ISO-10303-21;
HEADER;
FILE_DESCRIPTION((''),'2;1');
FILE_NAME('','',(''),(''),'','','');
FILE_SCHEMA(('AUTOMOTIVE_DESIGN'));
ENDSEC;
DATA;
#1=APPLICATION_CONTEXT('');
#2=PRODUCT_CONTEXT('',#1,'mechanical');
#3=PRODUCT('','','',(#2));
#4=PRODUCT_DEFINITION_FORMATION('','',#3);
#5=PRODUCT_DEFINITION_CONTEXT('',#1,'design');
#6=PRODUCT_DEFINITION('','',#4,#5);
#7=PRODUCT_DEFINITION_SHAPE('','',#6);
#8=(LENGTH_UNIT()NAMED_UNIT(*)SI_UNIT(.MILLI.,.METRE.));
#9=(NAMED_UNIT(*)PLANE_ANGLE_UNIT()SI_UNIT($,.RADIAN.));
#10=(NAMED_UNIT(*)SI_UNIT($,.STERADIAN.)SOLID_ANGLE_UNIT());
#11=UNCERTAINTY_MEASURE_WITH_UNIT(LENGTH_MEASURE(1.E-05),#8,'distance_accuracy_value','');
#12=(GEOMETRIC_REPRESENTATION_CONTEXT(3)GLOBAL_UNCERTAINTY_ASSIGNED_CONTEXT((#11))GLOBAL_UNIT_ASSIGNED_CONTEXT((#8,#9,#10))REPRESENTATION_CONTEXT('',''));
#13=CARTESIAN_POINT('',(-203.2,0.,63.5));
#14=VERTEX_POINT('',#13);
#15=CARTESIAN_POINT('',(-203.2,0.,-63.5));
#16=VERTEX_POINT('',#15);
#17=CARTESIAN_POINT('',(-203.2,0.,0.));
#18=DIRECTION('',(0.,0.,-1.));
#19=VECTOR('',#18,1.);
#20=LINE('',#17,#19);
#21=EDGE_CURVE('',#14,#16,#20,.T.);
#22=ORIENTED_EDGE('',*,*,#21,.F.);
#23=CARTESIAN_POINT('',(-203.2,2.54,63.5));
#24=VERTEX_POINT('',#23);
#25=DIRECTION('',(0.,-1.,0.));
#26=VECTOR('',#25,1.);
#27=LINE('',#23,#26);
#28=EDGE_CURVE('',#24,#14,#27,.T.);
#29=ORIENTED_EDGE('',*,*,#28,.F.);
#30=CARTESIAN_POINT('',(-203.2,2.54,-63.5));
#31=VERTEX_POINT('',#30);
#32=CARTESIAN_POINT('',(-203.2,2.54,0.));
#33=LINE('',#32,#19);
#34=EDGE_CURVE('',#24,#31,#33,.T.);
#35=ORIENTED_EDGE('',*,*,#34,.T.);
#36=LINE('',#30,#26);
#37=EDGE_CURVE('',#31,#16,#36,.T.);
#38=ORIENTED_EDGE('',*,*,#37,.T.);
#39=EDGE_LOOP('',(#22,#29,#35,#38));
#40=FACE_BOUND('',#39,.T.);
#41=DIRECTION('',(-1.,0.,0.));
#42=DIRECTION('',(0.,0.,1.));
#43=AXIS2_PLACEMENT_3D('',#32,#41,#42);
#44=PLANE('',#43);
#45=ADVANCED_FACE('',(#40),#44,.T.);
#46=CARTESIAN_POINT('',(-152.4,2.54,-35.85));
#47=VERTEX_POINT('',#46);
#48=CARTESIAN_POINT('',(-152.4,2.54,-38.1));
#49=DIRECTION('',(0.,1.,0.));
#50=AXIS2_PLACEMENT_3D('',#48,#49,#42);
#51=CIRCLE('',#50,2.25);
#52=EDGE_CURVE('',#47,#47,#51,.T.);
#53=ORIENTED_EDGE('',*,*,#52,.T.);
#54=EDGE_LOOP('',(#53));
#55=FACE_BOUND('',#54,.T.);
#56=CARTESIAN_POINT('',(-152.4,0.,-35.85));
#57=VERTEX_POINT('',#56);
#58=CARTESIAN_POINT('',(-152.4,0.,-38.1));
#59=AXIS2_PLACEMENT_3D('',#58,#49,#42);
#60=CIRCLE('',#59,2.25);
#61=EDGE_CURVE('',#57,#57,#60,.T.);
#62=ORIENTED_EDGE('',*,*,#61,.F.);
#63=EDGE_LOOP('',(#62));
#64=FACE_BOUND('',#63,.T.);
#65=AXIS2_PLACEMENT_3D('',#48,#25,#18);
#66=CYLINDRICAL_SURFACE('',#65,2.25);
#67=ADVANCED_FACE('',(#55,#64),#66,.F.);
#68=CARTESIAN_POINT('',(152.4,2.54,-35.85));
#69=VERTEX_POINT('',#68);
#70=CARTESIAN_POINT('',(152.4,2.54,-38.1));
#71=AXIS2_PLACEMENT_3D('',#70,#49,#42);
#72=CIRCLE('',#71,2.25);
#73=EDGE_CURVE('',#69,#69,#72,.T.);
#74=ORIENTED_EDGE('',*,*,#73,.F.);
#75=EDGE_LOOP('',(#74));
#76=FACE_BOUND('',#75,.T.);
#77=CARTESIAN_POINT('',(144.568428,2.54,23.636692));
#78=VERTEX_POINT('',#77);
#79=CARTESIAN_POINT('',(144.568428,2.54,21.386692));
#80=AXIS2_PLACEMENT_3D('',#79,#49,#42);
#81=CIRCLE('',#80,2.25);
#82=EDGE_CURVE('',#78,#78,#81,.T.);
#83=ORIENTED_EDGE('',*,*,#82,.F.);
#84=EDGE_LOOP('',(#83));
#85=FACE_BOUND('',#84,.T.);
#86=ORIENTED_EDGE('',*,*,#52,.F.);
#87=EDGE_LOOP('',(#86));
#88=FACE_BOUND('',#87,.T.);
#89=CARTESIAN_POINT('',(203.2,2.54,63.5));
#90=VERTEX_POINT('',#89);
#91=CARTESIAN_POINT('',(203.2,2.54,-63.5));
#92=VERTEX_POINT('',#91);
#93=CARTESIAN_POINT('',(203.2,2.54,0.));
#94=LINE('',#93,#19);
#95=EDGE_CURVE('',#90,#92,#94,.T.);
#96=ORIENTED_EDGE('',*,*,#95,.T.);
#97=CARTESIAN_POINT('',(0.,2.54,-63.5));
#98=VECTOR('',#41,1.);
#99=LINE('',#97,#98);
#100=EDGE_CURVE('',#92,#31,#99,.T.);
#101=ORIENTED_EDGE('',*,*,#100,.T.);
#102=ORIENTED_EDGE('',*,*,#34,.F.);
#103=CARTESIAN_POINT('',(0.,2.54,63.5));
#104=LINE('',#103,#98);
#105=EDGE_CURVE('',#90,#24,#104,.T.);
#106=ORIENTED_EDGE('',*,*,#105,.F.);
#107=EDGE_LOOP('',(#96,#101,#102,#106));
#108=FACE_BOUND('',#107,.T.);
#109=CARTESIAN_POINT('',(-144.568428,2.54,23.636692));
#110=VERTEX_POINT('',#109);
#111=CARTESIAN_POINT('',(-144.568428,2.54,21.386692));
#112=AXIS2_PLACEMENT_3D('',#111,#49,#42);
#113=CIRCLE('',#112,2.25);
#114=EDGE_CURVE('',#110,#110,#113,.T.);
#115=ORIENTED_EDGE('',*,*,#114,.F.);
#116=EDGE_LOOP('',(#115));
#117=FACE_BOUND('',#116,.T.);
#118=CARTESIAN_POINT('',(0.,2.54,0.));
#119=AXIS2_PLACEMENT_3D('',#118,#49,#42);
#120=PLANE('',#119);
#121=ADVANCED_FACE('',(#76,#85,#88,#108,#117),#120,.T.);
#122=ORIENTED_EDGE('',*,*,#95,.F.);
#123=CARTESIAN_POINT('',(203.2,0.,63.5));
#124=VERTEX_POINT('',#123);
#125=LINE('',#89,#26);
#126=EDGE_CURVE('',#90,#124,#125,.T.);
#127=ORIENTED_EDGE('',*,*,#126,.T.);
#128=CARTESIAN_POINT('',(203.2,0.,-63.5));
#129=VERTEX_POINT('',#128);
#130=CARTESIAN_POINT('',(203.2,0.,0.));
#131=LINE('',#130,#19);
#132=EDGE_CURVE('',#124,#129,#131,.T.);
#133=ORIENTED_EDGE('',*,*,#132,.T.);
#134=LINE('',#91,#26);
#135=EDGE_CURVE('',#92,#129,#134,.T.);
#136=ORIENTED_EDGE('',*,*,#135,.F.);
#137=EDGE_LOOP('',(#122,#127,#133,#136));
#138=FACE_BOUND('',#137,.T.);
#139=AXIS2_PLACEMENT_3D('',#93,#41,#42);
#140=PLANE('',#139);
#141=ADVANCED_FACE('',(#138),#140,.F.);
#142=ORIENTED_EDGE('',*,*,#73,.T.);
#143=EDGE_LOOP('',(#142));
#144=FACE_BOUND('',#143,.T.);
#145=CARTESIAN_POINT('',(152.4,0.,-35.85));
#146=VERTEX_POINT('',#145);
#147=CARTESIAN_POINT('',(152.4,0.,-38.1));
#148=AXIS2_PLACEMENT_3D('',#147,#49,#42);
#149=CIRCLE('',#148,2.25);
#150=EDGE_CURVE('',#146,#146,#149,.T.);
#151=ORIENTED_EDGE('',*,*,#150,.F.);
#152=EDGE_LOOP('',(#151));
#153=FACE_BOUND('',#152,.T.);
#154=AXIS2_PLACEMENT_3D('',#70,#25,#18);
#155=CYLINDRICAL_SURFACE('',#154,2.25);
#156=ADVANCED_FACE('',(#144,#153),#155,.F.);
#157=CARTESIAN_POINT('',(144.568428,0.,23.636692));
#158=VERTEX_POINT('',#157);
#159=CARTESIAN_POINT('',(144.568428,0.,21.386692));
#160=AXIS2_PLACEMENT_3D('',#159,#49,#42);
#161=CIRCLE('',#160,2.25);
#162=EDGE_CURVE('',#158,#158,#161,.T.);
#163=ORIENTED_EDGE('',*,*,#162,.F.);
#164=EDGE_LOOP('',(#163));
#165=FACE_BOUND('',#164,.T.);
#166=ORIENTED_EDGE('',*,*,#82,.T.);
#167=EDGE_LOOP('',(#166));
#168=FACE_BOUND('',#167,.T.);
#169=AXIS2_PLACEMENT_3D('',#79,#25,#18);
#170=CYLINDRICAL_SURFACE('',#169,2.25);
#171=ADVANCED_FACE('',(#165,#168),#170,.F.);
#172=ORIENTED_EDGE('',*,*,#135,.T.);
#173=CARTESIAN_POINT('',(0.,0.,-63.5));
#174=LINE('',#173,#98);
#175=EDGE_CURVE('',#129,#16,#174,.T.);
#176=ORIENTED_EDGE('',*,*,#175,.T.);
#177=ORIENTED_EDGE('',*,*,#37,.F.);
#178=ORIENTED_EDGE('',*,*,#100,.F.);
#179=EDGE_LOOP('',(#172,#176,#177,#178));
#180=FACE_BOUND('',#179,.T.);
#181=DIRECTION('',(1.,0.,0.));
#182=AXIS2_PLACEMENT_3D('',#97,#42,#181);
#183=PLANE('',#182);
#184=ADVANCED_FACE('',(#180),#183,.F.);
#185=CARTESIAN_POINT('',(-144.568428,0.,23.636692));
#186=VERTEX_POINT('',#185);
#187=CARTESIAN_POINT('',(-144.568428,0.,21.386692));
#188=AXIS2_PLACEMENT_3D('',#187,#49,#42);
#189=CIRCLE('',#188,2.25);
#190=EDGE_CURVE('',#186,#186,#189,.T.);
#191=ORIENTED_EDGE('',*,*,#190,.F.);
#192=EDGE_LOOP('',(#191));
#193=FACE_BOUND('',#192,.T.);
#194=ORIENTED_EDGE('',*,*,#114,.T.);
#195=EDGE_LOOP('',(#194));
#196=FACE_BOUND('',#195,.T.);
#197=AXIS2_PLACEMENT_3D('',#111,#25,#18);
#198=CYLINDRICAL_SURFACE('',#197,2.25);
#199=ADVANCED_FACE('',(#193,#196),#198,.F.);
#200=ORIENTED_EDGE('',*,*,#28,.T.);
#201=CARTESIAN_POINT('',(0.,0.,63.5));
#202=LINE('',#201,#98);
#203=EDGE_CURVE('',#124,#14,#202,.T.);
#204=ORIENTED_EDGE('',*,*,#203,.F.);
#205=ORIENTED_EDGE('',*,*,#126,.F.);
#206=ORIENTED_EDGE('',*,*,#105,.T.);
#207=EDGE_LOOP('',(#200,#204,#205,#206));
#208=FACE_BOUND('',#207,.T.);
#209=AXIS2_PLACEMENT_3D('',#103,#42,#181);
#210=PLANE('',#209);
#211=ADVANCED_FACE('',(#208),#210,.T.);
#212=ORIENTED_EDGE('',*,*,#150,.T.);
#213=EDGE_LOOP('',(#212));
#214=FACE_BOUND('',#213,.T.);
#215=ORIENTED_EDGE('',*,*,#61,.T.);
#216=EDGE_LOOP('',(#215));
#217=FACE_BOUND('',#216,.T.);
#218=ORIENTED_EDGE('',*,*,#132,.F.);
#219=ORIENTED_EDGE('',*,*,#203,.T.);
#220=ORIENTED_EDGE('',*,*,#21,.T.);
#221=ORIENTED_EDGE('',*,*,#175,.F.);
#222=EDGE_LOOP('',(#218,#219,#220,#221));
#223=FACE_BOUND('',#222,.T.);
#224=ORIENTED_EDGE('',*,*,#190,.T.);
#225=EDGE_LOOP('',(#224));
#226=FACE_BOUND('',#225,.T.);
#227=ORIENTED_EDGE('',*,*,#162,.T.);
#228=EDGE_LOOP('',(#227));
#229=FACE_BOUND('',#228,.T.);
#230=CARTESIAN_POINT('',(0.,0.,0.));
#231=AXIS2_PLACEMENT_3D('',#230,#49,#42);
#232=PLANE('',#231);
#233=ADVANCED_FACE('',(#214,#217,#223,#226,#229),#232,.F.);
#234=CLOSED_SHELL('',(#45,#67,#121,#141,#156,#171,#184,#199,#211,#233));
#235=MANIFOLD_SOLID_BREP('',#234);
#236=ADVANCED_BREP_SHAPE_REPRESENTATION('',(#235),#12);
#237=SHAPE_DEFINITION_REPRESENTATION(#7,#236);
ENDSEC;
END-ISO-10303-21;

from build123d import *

# Parameters (mm, degrees)
SKETCH1_W           = 406.4
SKETCH1_H           = 127
SKETCH1_R           = 2.25
BOSS_EXTRUDE1_DEPTH = 2.54


with BuildPart() as part:
    # Sketch1 → Boss-Extrude1 (new body)
    with BuildSketch(Plane(origin=(0, 0, 0), x_dir=(1, 0, 0), z_dir=(0, 1, 0))):
        Rectangle(SKETCH1_W, SKETCH1_H)
        with Locations((-152.4, 38.1)):
            Circle(SKETCH1_R, mode=Mode.SUBTRACT)
        with Locations((152.4, 38.1)):
            Circle(SKETCH1_R, mode=Mode.SUBTRACT)
        with Locations((144.568428467, -21.386691682)):
            Circle(SKETCH1_R, mode=Mode.SUBTRACT)
        with Locations((-144.568428467, -21.386691682)):
            Circle(SKETCH1_R, mode=Mode.SUBTRACT)
    extrude(amount=BOSS_EXTRUDE1_DEPTH)


solid = part.part
